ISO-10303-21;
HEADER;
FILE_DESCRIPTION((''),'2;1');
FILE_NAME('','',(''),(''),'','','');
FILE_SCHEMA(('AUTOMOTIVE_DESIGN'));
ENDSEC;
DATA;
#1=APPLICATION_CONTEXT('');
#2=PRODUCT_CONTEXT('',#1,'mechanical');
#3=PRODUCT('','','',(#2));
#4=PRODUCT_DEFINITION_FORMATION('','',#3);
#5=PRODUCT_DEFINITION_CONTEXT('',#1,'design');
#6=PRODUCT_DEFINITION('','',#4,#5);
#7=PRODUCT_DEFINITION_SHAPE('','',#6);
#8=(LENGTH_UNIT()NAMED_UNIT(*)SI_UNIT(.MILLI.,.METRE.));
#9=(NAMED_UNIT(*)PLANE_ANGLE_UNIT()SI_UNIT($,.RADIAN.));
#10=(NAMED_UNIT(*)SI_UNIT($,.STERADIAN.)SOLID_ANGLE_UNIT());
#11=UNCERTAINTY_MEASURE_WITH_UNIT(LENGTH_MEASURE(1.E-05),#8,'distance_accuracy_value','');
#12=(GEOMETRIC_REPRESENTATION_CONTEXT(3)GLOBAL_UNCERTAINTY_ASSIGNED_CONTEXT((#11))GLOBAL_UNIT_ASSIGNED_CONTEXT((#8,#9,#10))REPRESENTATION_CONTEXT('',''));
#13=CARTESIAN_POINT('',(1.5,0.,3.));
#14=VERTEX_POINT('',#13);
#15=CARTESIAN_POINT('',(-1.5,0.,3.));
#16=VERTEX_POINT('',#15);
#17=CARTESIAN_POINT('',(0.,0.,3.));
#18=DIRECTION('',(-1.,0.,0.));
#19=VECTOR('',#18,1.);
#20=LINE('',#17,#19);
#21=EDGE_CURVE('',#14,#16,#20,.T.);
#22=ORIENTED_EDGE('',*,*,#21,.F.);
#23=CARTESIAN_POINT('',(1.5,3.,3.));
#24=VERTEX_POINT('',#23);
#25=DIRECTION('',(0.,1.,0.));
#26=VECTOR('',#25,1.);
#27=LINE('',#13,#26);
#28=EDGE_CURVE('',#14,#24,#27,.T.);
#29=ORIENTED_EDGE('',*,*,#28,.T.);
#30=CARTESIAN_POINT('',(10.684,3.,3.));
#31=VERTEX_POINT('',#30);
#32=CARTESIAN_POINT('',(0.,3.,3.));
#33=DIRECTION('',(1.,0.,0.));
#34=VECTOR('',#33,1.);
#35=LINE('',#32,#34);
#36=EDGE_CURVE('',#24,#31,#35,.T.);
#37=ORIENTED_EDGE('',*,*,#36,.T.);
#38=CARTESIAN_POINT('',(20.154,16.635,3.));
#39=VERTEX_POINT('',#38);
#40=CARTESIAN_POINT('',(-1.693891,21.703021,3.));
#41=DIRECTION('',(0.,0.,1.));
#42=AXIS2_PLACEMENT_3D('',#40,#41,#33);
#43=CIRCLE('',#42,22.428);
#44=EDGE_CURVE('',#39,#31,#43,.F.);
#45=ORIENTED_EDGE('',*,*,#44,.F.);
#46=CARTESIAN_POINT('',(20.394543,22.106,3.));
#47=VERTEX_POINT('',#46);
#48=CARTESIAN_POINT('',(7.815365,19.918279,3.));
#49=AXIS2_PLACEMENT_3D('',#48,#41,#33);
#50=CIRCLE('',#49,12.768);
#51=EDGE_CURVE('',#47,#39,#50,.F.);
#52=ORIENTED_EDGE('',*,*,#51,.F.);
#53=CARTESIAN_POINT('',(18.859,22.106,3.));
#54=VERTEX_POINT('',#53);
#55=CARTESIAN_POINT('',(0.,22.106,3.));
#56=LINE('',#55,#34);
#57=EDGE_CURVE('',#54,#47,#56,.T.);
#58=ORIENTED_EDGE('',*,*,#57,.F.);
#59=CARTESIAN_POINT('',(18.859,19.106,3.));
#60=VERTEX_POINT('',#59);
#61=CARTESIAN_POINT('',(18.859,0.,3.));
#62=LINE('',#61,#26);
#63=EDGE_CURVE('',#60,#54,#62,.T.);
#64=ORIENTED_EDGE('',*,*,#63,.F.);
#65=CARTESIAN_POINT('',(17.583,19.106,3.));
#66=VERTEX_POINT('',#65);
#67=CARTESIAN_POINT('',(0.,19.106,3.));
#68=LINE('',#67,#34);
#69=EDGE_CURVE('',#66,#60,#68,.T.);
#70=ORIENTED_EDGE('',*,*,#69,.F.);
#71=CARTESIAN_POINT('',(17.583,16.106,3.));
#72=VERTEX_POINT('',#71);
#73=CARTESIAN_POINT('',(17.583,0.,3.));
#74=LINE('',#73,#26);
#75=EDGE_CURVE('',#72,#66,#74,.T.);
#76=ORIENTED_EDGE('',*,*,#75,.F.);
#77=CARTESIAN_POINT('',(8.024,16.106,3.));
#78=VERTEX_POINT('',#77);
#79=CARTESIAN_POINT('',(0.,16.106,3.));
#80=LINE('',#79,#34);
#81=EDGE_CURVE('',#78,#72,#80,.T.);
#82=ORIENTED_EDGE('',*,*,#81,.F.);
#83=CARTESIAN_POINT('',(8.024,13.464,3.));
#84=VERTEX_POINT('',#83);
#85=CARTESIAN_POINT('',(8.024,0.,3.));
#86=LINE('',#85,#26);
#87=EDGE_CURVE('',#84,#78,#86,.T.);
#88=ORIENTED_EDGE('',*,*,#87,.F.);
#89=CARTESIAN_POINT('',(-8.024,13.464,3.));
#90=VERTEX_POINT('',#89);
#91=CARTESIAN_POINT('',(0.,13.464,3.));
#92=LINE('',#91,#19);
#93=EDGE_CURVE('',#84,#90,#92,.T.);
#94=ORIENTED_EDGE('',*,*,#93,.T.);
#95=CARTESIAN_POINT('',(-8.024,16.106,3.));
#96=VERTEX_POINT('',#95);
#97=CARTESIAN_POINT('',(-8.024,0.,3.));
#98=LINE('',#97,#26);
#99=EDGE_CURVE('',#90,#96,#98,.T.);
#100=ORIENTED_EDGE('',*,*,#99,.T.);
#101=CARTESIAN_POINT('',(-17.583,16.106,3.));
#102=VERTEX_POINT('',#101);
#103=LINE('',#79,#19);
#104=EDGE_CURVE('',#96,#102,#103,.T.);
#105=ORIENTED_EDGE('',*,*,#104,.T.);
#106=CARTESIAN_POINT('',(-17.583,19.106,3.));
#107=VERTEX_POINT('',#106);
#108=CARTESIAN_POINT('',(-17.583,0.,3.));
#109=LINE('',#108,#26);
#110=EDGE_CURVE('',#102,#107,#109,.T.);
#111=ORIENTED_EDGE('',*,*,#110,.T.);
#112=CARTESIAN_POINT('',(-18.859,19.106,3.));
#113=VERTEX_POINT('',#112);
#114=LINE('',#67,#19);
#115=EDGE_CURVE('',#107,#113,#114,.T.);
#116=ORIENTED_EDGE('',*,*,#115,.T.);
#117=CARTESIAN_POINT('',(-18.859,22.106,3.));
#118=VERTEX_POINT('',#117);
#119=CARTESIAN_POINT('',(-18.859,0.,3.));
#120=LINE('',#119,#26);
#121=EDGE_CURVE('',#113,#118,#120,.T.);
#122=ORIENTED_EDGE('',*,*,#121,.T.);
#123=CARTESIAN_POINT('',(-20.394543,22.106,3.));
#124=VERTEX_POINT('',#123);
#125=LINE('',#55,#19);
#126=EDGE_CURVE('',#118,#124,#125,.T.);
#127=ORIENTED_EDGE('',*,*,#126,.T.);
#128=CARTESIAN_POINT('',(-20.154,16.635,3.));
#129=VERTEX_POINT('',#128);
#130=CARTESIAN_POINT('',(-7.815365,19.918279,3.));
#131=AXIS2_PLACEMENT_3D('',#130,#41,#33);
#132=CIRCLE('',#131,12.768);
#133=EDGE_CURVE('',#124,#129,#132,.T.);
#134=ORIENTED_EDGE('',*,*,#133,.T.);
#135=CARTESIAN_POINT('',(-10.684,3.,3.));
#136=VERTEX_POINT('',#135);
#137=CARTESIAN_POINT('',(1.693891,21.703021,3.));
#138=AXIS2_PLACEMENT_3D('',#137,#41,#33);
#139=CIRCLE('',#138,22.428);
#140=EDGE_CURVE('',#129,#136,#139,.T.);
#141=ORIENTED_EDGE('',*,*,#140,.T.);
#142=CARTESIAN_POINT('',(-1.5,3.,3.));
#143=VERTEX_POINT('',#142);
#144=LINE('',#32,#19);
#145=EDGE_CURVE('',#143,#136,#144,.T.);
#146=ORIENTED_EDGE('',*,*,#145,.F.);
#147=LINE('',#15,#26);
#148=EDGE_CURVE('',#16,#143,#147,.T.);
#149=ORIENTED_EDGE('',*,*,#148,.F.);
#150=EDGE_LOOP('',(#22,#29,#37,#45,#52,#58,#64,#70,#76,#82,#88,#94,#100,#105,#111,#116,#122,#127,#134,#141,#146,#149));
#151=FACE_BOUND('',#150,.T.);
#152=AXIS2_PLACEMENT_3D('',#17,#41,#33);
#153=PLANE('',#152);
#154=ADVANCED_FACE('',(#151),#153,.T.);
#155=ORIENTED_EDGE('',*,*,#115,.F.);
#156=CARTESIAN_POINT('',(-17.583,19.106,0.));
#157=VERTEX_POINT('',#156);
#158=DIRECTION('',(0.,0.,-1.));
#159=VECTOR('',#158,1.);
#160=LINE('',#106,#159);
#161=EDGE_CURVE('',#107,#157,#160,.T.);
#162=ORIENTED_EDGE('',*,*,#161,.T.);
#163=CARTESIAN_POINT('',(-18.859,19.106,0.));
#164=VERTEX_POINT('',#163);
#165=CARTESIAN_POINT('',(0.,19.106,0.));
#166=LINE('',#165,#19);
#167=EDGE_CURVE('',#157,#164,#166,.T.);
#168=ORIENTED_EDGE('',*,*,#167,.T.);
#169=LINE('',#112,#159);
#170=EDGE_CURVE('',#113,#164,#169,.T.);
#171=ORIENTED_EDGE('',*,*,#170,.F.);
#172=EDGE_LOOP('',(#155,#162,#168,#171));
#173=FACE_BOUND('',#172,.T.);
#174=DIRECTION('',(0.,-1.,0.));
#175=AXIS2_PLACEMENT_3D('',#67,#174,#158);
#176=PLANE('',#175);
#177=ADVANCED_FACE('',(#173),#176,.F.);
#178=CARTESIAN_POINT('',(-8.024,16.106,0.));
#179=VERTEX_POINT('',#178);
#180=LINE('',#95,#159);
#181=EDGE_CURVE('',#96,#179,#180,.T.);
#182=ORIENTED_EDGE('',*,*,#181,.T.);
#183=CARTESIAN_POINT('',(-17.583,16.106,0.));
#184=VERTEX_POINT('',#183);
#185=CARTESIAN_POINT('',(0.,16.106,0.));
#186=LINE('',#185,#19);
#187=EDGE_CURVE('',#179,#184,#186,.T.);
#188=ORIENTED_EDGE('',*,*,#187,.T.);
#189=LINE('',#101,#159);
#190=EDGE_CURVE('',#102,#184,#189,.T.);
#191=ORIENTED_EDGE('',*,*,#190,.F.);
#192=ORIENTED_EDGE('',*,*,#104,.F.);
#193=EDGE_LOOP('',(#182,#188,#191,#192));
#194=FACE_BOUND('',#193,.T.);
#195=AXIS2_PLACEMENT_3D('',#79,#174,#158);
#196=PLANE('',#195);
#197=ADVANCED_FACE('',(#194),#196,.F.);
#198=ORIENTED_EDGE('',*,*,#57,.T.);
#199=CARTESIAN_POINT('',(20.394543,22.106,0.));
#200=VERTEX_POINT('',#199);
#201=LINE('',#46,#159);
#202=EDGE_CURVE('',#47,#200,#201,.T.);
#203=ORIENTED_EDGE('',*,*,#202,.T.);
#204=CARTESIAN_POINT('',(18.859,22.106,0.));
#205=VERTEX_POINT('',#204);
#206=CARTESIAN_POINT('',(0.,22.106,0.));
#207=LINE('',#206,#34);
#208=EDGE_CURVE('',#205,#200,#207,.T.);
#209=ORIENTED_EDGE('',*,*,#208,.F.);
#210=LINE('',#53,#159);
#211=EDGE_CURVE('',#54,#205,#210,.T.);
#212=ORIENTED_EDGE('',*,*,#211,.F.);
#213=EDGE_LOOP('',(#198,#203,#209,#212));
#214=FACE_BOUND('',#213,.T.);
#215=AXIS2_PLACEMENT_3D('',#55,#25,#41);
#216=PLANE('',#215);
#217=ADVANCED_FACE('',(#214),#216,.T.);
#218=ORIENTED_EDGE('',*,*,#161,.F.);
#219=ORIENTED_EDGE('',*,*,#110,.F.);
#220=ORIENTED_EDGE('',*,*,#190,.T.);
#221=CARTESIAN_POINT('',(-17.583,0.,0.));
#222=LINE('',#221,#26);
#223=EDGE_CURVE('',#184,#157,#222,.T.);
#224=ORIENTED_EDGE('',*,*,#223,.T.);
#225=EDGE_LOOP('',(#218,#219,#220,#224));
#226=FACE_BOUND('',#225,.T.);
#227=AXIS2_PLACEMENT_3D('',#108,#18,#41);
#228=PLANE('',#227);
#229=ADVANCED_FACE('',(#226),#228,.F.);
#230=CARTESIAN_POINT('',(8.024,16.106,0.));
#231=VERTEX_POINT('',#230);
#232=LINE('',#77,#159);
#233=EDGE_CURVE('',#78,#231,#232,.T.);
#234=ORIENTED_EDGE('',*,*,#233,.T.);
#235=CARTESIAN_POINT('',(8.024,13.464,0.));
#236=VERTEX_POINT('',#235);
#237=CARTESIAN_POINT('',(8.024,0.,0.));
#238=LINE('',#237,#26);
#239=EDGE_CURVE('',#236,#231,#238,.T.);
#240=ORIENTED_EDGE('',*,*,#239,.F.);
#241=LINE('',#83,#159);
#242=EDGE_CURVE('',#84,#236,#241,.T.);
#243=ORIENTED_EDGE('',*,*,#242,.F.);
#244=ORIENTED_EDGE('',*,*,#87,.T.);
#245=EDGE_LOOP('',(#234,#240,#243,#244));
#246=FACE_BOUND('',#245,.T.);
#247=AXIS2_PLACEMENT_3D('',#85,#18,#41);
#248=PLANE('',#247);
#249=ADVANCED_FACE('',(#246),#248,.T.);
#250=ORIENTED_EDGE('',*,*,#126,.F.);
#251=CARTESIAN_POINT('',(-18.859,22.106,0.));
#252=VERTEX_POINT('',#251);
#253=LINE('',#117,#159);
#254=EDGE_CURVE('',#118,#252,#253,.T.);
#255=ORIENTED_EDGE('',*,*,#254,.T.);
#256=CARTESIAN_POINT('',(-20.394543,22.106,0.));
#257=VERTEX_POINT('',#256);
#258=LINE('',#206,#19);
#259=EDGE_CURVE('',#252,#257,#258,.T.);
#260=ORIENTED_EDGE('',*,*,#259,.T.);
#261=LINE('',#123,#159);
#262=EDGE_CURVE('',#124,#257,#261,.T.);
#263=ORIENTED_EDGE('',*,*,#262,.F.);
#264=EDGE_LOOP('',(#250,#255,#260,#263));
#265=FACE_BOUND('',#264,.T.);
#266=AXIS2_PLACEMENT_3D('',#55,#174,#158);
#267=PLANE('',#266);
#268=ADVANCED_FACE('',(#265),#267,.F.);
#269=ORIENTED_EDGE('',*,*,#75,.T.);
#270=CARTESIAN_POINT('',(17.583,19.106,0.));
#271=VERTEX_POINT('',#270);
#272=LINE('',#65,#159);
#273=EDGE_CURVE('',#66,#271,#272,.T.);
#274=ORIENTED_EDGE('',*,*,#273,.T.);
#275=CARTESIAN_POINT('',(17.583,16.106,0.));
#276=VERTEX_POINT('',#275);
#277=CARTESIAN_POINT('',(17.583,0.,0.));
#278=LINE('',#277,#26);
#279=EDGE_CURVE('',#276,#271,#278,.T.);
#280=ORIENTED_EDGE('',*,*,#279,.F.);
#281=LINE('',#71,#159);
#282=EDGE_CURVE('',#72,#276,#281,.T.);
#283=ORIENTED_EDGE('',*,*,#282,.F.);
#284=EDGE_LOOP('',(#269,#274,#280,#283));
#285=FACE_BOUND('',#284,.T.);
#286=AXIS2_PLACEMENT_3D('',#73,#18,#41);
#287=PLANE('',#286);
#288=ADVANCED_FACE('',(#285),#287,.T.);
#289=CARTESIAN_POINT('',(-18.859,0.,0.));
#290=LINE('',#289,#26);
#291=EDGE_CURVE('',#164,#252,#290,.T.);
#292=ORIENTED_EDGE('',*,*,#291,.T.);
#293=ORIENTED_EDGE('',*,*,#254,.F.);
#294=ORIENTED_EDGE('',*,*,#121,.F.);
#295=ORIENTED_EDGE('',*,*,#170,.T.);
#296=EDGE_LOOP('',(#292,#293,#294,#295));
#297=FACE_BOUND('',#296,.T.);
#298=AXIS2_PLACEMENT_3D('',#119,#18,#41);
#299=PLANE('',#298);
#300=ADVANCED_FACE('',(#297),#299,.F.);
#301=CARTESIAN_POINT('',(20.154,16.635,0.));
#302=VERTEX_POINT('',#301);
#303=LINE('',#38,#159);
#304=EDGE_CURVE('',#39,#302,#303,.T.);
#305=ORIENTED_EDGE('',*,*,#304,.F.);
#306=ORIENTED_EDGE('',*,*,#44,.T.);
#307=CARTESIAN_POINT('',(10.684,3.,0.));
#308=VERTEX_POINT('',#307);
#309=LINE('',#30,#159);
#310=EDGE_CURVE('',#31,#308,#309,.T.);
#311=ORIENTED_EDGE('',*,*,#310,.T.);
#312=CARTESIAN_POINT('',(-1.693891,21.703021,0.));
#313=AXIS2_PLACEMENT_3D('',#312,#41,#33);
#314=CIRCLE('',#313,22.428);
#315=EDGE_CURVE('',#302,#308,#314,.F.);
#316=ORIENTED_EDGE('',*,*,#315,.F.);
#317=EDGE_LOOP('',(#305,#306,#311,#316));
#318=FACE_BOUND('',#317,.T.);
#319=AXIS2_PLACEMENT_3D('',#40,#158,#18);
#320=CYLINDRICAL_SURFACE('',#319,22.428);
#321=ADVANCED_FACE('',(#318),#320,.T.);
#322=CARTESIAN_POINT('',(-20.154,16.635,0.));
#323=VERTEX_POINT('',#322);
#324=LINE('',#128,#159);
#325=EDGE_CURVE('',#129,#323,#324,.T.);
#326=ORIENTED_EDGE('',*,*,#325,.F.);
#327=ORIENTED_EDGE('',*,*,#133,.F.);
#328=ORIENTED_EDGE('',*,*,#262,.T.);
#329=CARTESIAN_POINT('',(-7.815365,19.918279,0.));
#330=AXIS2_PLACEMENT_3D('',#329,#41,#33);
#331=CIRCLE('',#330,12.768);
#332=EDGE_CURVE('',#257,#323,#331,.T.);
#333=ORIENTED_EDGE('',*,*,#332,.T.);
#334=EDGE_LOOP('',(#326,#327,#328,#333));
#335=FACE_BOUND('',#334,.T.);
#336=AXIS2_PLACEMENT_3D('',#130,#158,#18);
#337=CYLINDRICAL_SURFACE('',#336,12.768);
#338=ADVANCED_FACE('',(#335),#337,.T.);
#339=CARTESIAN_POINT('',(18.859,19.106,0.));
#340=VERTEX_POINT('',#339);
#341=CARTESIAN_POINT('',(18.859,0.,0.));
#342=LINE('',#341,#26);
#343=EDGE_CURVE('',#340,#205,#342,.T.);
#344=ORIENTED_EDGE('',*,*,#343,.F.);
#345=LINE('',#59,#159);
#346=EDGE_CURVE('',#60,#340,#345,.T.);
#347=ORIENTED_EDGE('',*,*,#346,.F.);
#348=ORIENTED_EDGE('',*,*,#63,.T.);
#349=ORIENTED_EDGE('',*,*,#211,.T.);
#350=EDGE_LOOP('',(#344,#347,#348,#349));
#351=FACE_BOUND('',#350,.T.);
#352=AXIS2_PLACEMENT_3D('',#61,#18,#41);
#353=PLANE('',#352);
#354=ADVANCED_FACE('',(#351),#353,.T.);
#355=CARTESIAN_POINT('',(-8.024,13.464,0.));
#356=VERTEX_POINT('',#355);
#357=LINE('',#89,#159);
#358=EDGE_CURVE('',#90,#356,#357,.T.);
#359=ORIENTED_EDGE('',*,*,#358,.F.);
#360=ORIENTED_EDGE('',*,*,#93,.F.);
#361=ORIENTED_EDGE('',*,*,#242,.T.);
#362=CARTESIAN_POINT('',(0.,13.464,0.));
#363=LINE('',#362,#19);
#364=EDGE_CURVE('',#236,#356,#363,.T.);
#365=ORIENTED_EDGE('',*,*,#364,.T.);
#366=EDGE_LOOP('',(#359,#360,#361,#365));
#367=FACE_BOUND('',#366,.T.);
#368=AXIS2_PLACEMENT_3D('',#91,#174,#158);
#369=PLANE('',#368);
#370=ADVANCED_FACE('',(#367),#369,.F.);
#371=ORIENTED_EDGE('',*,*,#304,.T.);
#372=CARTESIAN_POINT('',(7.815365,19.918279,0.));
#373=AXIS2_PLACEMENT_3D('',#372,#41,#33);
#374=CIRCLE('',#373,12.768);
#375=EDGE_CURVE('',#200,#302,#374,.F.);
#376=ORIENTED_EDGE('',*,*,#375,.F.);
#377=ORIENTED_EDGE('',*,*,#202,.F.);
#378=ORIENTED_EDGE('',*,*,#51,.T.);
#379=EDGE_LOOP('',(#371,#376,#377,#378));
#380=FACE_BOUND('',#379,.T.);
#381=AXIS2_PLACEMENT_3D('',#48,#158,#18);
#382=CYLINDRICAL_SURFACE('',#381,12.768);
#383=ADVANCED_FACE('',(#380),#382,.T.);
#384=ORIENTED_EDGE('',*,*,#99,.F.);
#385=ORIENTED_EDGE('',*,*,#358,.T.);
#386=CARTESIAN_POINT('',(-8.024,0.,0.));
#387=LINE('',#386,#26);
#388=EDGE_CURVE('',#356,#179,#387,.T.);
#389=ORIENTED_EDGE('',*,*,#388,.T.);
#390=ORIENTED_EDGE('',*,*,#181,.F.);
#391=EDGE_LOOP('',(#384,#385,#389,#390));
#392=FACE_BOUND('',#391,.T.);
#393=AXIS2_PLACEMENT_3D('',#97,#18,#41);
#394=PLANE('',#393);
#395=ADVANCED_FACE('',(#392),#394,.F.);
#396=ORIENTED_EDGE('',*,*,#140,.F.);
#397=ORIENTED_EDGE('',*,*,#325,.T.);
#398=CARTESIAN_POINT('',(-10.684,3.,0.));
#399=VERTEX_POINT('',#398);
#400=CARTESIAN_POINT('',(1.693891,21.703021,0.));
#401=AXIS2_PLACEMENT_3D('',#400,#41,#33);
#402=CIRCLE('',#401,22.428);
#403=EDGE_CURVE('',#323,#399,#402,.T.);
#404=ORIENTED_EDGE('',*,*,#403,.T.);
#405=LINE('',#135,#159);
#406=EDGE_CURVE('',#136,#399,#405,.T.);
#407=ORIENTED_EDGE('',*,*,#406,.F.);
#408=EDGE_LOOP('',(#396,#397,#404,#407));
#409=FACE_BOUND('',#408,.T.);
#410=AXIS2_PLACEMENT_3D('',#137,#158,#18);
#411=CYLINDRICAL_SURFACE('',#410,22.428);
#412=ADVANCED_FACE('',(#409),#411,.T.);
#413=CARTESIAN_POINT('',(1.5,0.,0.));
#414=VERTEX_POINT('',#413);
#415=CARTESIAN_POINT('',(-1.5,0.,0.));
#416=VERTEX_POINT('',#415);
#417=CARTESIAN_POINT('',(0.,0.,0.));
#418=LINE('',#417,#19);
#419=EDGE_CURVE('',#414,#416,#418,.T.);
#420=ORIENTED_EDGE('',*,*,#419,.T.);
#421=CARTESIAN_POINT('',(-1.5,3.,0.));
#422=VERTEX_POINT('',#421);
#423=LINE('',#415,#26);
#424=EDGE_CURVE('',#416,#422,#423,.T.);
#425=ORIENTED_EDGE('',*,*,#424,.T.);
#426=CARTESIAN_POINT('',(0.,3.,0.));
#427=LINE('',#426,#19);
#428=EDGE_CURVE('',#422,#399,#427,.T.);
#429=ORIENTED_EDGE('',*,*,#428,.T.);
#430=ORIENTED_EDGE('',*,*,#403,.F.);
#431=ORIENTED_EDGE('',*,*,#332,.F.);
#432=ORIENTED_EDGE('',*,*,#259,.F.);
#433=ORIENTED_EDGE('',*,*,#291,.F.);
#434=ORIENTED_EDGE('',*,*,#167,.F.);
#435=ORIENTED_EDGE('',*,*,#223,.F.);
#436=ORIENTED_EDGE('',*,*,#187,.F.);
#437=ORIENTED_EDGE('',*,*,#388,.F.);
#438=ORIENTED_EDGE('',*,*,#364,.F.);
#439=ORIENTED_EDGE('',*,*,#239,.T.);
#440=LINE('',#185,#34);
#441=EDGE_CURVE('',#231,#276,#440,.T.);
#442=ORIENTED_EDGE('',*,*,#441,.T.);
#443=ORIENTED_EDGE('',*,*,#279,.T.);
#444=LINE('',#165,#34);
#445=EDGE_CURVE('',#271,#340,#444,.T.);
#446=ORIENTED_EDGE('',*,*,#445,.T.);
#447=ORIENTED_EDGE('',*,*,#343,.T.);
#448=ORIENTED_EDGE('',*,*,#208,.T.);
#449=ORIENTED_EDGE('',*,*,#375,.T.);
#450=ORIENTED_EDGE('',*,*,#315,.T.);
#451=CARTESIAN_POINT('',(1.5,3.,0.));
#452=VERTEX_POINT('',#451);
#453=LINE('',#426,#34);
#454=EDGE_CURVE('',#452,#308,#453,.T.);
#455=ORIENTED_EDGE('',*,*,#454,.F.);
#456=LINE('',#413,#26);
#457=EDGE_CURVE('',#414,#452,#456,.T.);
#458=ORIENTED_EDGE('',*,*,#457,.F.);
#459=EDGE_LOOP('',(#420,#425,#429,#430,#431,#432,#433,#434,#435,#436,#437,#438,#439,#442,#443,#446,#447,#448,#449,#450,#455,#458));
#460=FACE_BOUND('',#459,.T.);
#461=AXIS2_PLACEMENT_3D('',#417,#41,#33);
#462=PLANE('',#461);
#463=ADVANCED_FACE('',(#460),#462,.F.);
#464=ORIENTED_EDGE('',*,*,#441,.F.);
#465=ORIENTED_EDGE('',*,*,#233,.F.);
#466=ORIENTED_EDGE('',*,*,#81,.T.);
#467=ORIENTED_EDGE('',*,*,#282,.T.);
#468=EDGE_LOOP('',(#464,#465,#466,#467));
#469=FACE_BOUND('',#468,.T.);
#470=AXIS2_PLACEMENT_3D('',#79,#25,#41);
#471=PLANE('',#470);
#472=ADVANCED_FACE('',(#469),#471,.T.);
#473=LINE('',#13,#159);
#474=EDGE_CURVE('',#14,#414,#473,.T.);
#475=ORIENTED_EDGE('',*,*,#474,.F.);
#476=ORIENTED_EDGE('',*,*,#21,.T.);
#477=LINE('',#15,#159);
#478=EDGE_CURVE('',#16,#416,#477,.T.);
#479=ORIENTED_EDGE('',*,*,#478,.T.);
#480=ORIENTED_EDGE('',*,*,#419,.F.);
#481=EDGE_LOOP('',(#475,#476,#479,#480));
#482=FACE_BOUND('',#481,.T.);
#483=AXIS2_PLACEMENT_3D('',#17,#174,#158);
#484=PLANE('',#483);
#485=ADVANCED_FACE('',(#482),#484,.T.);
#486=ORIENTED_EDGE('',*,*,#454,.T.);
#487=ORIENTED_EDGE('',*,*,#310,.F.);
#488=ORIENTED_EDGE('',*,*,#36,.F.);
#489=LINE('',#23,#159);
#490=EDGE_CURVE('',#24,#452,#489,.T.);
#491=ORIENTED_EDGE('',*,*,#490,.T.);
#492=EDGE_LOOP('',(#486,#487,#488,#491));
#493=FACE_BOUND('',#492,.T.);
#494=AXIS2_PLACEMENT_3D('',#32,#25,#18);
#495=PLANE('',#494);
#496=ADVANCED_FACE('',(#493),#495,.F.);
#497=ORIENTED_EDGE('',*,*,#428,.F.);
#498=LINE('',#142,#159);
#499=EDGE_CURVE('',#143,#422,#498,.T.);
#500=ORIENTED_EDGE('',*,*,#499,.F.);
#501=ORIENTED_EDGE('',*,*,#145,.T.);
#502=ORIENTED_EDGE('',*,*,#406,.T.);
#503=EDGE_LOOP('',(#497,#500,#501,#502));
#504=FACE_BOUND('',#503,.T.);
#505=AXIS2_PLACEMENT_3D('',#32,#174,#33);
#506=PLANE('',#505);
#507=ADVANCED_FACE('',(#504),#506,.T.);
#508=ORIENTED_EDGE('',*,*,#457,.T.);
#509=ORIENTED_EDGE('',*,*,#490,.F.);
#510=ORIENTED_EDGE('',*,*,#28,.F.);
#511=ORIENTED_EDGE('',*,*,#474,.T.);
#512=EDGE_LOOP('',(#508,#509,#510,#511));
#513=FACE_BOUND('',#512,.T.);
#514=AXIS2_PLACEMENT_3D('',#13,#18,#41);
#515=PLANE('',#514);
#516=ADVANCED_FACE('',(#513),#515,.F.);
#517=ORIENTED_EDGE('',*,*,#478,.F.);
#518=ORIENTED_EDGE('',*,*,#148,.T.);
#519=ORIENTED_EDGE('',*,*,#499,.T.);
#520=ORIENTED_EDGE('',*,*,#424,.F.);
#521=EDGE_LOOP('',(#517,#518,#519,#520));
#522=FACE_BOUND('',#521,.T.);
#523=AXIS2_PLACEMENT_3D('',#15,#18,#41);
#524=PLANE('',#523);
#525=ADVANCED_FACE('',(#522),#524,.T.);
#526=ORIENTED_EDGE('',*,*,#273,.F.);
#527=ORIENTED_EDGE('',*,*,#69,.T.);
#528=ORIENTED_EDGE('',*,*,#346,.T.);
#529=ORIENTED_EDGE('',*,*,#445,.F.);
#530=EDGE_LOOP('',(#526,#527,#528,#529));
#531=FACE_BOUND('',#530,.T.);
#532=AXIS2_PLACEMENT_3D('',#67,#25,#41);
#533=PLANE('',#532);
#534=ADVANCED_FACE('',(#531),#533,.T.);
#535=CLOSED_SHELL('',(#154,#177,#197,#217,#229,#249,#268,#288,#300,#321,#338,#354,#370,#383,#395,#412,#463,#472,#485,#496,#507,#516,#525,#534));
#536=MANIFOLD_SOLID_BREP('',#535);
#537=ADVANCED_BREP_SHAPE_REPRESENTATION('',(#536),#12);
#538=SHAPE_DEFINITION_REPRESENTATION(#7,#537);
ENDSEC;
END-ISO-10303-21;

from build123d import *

# Parameters (mm, degrees)
BOSS_EXTRUDE1_DEPTH = 3


with BuildPart() as part:
    # Sketch1 → Boss-Extrude1 (new body)
    with BuildSketch(Plane.XY):
        with BuildLine():
            Line((8.024, 16.106), (8.024, 13.464))
            Line((8.024, 13.464), (-8.024, 13.464))
            Line((-8.024, 13.464), (-8.024, 16.106))
            Line((-8.024, 16.106), (-17.583, 16.106))
            Line((-17.583, 16.106), (-17.583, 19.106))
            Line((-17.583, 19.106), (-18.859, 19.106))
            Line((-18.859, 19.106), (-18.859, 22.106))
            Line((-18.859, 22.106), (-20.394542528, 22.106))
            ThreePointArc((-20.394542528, 22.106), (-20.571042392, 19.357451914), (-20.154, 16.635))
            ThreePointArc((-20.154, 16.635), (-16.727003231, 8.90904451), (-10.684, 3))
            Line((-10.684, 3), (-1.5, 3))
            Line((-1.5, 3), (-1.5, 0))
            Line((-1.5, 0), (1.5, 0))
            Line((1.5, 0), (1.5, 3))
            Line((1.5, 3), (10.684, 3))
            ThreePointArc((10.684, 3), (16.727003231, 8.90904451), (20.154, 16.635))
            ThreePointArc((20.154, 16.635), (20.571042392, 19.357451914), (20.394542528, 22.106))
            Line((20.394542528, 22.106), (18.859, 22.106))
            Line((18.859, 22.106), (18.859, 19.106))
            Line((18.859, 19.106), (17.583, 19.106))
            Line((17.583, 19.106), (17.583, 16.106))
            Line((17.583, 16.106), (8.024, 16.106))
        make_face()
    extrude(amount=BOSS_EXTRUDE1_DEPTH)


solid = part.part
